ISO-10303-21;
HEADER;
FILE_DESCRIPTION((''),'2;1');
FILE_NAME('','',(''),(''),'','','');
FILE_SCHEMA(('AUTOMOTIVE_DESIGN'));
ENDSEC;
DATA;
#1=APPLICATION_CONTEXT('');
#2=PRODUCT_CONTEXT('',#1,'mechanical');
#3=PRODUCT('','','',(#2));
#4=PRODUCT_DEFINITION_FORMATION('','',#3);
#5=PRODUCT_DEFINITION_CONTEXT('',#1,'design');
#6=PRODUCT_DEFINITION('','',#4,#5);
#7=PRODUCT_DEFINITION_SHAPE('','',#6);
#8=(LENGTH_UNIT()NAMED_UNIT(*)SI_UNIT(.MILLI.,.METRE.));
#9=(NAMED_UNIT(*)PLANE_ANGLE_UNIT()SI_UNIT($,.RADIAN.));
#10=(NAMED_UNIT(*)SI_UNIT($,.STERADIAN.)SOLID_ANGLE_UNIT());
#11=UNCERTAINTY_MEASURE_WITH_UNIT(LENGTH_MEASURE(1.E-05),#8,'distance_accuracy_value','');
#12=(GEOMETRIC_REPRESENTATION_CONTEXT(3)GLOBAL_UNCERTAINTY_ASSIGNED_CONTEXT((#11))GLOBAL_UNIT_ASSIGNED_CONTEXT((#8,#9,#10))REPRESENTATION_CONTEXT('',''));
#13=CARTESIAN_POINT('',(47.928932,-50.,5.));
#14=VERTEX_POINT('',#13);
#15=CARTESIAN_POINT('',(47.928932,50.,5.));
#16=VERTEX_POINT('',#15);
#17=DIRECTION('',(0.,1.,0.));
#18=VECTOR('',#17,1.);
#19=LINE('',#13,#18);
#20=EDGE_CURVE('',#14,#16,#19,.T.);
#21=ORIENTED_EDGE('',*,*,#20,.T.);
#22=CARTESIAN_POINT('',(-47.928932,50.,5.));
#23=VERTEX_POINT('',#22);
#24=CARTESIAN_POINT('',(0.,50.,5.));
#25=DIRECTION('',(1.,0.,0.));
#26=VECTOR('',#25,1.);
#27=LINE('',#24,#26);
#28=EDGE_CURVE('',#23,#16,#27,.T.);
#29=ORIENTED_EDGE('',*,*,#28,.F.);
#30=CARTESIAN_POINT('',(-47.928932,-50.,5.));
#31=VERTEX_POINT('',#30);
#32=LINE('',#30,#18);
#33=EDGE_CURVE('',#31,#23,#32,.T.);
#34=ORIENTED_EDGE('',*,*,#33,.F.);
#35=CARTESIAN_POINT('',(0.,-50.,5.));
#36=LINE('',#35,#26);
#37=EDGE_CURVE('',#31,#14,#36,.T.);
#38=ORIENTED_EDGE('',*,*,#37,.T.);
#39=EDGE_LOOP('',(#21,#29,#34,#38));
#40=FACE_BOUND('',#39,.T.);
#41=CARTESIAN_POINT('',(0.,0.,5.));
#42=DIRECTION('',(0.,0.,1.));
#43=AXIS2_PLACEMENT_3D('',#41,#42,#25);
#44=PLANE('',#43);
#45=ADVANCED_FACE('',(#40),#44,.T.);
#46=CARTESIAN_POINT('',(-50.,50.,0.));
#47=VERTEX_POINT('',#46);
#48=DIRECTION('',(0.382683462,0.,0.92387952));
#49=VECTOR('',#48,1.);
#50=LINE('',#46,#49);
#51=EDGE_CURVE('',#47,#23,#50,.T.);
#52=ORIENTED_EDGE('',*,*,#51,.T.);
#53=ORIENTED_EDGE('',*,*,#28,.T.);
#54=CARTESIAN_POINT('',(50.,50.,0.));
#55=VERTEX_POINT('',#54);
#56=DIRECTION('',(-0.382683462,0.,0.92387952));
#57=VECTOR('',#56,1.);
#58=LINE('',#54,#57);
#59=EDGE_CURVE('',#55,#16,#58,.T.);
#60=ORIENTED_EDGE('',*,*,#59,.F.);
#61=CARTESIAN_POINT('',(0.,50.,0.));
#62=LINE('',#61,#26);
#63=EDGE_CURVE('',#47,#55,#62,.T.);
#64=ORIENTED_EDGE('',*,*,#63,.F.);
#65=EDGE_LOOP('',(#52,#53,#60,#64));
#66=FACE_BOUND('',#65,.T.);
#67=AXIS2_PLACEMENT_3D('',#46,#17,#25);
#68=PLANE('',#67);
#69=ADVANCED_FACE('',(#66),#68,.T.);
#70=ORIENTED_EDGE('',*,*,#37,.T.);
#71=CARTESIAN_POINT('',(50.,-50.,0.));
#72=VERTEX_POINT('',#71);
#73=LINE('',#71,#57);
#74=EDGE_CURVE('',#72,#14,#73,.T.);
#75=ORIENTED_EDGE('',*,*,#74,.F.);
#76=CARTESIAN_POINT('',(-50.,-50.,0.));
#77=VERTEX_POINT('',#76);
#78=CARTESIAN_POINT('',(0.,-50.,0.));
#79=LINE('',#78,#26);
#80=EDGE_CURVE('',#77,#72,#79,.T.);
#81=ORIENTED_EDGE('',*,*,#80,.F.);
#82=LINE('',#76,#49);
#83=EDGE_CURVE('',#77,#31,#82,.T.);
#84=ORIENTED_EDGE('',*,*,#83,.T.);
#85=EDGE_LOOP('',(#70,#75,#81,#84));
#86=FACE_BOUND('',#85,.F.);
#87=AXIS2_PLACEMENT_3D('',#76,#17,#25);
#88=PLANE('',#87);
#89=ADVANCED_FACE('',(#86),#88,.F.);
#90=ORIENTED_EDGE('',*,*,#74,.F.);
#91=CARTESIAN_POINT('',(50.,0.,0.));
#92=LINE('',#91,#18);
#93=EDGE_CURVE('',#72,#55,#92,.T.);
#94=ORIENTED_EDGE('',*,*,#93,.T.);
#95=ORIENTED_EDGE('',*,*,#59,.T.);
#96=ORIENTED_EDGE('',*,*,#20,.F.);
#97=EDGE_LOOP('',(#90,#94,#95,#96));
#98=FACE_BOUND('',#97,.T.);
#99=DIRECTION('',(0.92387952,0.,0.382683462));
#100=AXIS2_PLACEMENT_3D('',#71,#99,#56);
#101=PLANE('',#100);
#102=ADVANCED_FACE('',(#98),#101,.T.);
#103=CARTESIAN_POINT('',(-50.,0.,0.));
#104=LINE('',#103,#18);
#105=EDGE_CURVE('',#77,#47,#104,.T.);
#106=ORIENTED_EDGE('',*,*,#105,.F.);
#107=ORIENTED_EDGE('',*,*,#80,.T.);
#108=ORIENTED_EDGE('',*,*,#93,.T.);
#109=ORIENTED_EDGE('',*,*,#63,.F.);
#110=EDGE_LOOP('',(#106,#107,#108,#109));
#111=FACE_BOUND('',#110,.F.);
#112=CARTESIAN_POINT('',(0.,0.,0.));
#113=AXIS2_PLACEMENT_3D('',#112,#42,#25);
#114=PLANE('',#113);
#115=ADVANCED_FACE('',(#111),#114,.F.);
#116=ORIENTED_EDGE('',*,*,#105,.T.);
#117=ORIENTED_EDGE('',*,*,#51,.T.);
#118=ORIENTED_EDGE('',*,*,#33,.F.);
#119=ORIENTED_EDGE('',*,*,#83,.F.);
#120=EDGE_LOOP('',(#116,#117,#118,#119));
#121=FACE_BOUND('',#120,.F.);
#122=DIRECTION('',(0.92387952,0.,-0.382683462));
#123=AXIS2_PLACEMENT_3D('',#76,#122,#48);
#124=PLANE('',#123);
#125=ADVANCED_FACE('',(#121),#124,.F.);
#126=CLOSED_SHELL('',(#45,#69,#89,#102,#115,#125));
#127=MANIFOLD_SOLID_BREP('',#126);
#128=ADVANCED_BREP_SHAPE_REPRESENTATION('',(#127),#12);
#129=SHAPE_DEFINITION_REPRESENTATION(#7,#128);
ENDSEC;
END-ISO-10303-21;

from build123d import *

# Parameters (mm, degrees)
SKETCH_W        = 100
SKETCH_H        = 100
PAD_DEPTH       = 5
POCKET_DEPTH    = 100
POCKET001_DEPTH = 100


with BuildPart() as part:
    # Sketch → Pad (new body)
    with BuildSketch(Plane.XY):
        Rectangle(SKETCH_W, SKETCH_H)
    extrude(amount=PAD_DEPTH)

    # Sketch001 (on Face1 of Pad) → Pocket (cut)
    with BuildSketch(Plane.XZ.offset(50)):
        Polygon((-50, 0), (-47.928932, 5), (-50, 5), align=None)
    extrude(amount=-POCKET_DEPTH, mode=Mode.SUBTRACT)

    # Sketch002 (on Face1 of Pocket) → Pocket001 (cut)
    with BuildSketch(Plane.XZ.offset(50)):
        Polygon((50, 0), (47.928932, 5), (50, 5), align=None)
    extrude(amount=-POCKET001_DEPTH, mode=Mode.SUBTRACT)


solid = part.part
